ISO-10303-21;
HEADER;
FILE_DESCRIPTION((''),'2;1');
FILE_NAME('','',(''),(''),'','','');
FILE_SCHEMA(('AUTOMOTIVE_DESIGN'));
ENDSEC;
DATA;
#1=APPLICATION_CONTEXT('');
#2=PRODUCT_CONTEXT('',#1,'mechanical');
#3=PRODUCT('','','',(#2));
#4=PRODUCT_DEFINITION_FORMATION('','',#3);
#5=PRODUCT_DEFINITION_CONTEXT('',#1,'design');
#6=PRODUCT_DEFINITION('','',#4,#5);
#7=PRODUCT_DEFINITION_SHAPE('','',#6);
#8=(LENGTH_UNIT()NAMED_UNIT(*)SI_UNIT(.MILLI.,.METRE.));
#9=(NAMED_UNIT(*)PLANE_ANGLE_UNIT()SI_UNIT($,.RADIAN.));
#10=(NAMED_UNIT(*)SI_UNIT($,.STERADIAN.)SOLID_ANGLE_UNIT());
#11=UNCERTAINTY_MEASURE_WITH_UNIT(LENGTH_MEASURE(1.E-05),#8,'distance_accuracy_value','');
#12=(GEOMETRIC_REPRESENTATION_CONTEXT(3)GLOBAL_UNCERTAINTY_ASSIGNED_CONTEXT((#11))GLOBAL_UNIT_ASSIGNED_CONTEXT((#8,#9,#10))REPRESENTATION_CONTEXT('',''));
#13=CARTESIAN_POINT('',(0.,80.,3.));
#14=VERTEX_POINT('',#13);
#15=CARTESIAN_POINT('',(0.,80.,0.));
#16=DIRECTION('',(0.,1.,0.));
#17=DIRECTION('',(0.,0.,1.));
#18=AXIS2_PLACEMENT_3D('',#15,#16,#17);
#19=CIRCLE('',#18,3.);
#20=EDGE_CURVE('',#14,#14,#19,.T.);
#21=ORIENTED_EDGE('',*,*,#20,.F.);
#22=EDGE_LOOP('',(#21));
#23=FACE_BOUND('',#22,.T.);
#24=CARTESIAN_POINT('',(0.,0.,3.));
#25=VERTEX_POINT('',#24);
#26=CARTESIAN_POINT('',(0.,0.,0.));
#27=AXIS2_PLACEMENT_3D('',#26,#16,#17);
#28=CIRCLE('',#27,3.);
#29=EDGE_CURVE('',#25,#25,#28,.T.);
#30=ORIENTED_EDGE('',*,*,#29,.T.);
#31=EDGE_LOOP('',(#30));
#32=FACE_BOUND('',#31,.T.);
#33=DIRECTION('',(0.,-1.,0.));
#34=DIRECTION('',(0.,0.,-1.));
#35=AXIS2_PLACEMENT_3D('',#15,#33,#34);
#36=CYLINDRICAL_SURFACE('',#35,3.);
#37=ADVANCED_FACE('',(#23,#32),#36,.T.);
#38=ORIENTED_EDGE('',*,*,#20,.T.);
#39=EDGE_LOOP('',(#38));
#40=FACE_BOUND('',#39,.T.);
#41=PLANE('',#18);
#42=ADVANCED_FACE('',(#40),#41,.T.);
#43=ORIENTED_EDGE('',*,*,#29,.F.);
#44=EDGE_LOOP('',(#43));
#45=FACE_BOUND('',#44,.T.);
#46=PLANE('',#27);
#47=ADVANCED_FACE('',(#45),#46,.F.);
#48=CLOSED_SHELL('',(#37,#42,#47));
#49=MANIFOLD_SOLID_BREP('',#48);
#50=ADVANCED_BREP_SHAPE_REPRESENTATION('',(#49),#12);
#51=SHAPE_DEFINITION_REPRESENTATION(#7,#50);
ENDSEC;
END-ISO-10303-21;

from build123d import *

# Parameters (mm, degrees)
IZIM1_R                     = 3
Y_KSEKLIK_EKSTR_ZYON1_DEPTH = 80


with BuildPart() as part:
    # Çizim1 → Yükseklik-Ekstrüzyon1 (new body)
    with BuildSketch(Plane(origin=(0, 0, 0), x_dir=(1, 0, 0), z_dir=(0, 1, 0))):
        Circle(IZIM1_R)
    extrude(amount=Y_KSEKLIK_EKSTR_ZYON1_DEPTH)


solid = part.part
